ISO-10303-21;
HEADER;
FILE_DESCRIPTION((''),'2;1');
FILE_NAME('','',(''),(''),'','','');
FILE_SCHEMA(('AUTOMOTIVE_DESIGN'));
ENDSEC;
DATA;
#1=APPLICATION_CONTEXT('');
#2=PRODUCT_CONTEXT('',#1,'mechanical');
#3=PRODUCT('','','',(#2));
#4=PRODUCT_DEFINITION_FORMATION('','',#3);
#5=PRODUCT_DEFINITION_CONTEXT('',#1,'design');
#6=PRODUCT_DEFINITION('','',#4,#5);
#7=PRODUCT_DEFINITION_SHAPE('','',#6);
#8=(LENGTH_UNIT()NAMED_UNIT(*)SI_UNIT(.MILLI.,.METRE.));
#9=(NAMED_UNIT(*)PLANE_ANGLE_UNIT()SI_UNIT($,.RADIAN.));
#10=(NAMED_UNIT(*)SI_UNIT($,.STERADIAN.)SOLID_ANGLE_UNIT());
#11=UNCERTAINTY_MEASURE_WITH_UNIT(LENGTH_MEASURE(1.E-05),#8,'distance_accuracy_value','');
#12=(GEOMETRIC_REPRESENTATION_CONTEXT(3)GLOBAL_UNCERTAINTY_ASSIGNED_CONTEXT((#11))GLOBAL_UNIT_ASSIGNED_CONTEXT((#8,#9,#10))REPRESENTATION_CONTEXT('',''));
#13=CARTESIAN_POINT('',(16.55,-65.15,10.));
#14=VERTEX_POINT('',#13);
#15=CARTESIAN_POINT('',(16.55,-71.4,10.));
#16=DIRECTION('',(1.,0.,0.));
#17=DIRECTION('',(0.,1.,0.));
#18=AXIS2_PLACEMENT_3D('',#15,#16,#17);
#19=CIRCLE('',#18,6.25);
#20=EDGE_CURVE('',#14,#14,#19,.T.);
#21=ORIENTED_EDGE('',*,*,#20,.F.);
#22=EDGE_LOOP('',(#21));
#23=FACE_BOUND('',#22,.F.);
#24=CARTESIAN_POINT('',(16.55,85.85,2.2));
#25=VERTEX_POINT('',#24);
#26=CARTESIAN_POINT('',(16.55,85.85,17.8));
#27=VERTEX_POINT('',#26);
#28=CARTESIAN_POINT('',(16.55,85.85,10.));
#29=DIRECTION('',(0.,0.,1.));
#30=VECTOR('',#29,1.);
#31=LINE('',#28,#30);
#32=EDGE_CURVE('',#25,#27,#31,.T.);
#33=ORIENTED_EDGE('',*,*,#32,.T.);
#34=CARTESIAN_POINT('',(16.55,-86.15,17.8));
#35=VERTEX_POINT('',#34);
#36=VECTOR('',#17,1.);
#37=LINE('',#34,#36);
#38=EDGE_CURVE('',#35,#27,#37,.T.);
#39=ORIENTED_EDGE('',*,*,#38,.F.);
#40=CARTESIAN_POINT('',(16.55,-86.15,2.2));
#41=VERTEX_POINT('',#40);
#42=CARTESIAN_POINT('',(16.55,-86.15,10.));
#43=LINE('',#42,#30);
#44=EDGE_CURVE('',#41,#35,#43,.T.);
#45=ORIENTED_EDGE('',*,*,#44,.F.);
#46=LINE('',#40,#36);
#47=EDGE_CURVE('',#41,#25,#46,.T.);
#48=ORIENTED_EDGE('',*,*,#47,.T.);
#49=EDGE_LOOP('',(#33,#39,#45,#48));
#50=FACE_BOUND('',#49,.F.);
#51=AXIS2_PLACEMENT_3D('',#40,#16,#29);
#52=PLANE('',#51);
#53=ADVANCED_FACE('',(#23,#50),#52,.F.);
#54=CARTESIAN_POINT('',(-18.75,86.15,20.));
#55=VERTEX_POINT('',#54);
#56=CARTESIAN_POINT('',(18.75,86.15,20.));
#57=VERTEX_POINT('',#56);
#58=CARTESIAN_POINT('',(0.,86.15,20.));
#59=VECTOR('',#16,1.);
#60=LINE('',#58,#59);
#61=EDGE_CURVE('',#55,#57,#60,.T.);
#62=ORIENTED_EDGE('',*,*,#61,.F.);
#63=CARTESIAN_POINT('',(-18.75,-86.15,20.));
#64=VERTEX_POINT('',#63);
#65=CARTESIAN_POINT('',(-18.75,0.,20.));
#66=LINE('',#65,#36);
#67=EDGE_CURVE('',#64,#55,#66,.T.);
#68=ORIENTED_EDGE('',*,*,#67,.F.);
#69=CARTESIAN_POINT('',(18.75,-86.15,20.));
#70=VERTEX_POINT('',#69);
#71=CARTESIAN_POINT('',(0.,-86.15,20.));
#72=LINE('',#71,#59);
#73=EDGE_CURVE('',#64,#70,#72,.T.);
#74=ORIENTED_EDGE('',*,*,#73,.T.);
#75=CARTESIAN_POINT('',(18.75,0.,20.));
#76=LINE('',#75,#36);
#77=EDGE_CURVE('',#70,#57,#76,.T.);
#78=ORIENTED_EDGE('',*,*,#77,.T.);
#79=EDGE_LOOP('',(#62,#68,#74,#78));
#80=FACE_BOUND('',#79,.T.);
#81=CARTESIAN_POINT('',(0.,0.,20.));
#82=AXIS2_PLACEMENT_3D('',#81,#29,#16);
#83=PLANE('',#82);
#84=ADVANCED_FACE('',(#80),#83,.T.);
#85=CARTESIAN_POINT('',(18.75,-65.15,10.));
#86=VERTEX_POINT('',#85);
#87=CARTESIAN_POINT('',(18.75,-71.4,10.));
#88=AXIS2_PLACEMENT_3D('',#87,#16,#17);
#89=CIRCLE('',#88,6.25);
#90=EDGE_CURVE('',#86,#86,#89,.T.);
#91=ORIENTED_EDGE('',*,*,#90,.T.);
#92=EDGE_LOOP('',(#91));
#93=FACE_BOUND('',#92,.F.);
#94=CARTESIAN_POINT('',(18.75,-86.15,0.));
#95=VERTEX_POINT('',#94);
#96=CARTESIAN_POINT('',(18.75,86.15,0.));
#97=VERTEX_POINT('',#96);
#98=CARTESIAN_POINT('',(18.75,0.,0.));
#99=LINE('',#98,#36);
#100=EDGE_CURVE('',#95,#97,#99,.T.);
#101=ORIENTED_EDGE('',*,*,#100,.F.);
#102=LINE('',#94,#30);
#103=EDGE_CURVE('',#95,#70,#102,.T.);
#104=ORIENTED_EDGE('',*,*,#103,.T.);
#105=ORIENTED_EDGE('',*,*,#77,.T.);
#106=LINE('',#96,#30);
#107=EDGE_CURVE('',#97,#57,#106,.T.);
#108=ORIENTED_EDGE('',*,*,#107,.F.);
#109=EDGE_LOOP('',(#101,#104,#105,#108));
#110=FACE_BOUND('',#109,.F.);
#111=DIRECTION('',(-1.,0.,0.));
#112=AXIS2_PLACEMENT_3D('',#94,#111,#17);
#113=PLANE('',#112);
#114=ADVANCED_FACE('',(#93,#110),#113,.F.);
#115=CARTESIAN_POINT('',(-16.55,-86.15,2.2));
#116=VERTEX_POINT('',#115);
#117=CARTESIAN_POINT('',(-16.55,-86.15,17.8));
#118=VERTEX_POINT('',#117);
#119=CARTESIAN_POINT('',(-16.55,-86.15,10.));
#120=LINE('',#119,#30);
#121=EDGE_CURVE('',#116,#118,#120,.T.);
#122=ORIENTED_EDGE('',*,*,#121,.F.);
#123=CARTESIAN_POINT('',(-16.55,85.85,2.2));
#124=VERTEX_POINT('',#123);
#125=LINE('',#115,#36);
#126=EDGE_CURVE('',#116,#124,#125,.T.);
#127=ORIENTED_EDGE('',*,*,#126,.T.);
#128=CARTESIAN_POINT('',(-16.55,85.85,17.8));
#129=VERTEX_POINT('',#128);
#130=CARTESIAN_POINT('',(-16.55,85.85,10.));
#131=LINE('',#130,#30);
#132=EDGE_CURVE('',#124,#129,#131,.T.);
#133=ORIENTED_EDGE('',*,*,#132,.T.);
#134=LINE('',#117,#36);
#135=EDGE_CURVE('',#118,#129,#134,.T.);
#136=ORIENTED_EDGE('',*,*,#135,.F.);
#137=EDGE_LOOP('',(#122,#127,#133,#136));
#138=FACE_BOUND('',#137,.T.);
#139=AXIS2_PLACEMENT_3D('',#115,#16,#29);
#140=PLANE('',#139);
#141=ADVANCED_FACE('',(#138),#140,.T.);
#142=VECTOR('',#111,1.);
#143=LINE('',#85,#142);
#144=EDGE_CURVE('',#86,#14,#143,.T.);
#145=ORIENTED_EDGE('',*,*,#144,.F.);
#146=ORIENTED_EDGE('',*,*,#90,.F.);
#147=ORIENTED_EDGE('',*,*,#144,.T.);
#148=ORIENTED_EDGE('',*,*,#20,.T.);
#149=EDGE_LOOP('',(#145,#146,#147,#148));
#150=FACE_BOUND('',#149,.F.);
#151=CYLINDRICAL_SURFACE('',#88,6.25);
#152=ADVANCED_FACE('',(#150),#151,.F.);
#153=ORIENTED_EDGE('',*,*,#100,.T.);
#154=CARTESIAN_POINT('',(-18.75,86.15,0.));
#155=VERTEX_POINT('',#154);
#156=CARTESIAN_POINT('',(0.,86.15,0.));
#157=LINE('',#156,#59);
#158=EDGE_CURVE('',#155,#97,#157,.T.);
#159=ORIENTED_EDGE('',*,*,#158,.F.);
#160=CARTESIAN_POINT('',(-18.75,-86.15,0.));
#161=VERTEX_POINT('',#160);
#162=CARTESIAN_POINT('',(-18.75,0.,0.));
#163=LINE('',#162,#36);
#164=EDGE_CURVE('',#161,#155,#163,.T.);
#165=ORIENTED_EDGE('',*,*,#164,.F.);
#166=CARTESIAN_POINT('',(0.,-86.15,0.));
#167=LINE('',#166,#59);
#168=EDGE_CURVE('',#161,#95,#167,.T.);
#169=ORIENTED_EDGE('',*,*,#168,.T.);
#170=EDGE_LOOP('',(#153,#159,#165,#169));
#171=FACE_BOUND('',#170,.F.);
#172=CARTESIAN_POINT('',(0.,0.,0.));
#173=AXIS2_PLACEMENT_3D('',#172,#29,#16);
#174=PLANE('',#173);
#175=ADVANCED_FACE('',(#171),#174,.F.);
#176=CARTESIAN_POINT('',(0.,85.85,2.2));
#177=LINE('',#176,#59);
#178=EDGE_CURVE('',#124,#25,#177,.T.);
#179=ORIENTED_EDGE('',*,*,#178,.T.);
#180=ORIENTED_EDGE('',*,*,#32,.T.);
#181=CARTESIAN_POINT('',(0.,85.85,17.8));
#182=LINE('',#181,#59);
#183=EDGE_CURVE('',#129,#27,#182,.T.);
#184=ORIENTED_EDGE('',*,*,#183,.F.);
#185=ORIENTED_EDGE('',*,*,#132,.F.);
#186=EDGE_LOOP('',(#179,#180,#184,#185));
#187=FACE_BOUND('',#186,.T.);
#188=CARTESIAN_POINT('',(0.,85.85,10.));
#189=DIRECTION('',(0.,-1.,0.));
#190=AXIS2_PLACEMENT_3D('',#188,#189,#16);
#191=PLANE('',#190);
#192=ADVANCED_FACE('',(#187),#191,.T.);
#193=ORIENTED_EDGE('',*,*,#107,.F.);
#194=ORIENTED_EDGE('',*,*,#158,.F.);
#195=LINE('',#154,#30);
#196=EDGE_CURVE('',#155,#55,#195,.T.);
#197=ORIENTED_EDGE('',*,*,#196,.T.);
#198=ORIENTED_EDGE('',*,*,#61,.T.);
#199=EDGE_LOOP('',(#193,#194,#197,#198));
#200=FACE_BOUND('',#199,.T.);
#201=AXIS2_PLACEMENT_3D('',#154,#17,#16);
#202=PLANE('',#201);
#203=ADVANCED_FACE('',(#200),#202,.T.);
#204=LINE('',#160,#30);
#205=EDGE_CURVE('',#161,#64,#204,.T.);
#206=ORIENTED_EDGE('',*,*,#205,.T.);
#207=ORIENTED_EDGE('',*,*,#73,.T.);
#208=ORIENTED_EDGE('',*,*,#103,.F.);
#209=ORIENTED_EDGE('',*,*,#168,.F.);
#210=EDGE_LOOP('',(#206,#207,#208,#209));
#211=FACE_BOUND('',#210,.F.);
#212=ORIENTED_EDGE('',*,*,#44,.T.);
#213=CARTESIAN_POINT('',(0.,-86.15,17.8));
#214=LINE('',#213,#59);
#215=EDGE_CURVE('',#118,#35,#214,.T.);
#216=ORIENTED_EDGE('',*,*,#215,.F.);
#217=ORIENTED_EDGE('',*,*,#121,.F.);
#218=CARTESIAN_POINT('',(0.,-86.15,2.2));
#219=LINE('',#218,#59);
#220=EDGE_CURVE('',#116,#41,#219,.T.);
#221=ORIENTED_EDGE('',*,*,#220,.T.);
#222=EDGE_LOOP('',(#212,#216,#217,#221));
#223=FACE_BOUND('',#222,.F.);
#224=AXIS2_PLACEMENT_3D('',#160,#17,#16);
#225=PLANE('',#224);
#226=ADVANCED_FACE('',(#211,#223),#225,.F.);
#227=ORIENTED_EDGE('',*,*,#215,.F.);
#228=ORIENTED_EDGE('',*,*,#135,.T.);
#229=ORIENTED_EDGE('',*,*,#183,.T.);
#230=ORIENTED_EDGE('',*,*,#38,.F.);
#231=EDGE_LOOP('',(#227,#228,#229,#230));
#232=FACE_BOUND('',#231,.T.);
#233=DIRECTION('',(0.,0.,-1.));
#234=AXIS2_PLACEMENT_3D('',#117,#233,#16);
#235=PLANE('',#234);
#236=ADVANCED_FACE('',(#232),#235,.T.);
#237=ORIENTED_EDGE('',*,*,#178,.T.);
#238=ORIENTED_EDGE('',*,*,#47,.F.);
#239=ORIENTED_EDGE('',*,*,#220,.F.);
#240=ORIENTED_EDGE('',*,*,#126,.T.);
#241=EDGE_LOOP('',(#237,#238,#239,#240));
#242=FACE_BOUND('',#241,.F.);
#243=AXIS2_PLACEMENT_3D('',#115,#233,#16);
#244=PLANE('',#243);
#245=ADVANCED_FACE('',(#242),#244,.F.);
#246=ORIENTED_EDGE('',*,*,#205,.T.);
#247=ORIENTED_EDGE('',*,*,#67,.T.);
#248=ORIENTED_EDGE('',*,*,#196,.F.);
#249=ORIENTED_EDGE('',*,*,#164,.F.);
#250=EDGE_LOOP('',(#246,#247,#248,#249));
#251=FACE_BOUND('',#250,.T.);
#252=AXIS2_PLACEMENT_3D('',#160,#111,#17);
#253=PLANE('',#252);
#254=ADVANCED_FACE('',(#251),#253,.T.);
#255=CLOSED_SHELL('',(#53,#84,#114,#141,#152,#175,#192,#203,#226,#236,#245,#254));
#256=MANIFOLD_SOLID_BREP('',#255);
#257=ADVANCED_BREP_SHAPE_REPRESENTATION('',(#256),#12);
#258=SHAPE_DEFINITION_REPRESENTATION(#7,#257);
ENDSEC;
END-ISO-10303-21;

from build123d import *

# Parameters (mm, degrees)
SKETCH_W        = 37.5
SKETCH_H        = 172.3
PAD_DEPTH       = 20
SKETCH001_W     = 33.1
SKETCH001_H     = 15.6
POCKET_DEPTH    = 172
SKETCH002_R     = 6.25
POCKET001_DEPTH = 10


with BuildPart() as part:
    # Sketch → Pad (new body)
    with BuildSketch(Plane.XY):
        Rectangle(SKETCH_W, SKETCH_H)
    extrude(amount=PAD_DEPTH)

    # Sketch001 (on Face1 of Pad) → Pocket (cut)
    with BuildSketch(Plane.XZ.offset(86.15)):
        with Locations((0, 10)):
            Rectangle(SKETCH001_W, SKETCH001_H)
    extrude(amount=-POCKET_DEPTH, mode=Mode.SUBTRACT)

    # Sketch002 (on Face5 of Pocket) → Pocket001 (cut)
    with BuildSketch(Plane.YZ.offset(18.75)):
        with Locations((-71.4, 10)):
            Circle(SKETCH002_R)
    extrude(amount=-POCKET001_DEPTH, mode=Mode.SUBTRACT)


solid = part.part
